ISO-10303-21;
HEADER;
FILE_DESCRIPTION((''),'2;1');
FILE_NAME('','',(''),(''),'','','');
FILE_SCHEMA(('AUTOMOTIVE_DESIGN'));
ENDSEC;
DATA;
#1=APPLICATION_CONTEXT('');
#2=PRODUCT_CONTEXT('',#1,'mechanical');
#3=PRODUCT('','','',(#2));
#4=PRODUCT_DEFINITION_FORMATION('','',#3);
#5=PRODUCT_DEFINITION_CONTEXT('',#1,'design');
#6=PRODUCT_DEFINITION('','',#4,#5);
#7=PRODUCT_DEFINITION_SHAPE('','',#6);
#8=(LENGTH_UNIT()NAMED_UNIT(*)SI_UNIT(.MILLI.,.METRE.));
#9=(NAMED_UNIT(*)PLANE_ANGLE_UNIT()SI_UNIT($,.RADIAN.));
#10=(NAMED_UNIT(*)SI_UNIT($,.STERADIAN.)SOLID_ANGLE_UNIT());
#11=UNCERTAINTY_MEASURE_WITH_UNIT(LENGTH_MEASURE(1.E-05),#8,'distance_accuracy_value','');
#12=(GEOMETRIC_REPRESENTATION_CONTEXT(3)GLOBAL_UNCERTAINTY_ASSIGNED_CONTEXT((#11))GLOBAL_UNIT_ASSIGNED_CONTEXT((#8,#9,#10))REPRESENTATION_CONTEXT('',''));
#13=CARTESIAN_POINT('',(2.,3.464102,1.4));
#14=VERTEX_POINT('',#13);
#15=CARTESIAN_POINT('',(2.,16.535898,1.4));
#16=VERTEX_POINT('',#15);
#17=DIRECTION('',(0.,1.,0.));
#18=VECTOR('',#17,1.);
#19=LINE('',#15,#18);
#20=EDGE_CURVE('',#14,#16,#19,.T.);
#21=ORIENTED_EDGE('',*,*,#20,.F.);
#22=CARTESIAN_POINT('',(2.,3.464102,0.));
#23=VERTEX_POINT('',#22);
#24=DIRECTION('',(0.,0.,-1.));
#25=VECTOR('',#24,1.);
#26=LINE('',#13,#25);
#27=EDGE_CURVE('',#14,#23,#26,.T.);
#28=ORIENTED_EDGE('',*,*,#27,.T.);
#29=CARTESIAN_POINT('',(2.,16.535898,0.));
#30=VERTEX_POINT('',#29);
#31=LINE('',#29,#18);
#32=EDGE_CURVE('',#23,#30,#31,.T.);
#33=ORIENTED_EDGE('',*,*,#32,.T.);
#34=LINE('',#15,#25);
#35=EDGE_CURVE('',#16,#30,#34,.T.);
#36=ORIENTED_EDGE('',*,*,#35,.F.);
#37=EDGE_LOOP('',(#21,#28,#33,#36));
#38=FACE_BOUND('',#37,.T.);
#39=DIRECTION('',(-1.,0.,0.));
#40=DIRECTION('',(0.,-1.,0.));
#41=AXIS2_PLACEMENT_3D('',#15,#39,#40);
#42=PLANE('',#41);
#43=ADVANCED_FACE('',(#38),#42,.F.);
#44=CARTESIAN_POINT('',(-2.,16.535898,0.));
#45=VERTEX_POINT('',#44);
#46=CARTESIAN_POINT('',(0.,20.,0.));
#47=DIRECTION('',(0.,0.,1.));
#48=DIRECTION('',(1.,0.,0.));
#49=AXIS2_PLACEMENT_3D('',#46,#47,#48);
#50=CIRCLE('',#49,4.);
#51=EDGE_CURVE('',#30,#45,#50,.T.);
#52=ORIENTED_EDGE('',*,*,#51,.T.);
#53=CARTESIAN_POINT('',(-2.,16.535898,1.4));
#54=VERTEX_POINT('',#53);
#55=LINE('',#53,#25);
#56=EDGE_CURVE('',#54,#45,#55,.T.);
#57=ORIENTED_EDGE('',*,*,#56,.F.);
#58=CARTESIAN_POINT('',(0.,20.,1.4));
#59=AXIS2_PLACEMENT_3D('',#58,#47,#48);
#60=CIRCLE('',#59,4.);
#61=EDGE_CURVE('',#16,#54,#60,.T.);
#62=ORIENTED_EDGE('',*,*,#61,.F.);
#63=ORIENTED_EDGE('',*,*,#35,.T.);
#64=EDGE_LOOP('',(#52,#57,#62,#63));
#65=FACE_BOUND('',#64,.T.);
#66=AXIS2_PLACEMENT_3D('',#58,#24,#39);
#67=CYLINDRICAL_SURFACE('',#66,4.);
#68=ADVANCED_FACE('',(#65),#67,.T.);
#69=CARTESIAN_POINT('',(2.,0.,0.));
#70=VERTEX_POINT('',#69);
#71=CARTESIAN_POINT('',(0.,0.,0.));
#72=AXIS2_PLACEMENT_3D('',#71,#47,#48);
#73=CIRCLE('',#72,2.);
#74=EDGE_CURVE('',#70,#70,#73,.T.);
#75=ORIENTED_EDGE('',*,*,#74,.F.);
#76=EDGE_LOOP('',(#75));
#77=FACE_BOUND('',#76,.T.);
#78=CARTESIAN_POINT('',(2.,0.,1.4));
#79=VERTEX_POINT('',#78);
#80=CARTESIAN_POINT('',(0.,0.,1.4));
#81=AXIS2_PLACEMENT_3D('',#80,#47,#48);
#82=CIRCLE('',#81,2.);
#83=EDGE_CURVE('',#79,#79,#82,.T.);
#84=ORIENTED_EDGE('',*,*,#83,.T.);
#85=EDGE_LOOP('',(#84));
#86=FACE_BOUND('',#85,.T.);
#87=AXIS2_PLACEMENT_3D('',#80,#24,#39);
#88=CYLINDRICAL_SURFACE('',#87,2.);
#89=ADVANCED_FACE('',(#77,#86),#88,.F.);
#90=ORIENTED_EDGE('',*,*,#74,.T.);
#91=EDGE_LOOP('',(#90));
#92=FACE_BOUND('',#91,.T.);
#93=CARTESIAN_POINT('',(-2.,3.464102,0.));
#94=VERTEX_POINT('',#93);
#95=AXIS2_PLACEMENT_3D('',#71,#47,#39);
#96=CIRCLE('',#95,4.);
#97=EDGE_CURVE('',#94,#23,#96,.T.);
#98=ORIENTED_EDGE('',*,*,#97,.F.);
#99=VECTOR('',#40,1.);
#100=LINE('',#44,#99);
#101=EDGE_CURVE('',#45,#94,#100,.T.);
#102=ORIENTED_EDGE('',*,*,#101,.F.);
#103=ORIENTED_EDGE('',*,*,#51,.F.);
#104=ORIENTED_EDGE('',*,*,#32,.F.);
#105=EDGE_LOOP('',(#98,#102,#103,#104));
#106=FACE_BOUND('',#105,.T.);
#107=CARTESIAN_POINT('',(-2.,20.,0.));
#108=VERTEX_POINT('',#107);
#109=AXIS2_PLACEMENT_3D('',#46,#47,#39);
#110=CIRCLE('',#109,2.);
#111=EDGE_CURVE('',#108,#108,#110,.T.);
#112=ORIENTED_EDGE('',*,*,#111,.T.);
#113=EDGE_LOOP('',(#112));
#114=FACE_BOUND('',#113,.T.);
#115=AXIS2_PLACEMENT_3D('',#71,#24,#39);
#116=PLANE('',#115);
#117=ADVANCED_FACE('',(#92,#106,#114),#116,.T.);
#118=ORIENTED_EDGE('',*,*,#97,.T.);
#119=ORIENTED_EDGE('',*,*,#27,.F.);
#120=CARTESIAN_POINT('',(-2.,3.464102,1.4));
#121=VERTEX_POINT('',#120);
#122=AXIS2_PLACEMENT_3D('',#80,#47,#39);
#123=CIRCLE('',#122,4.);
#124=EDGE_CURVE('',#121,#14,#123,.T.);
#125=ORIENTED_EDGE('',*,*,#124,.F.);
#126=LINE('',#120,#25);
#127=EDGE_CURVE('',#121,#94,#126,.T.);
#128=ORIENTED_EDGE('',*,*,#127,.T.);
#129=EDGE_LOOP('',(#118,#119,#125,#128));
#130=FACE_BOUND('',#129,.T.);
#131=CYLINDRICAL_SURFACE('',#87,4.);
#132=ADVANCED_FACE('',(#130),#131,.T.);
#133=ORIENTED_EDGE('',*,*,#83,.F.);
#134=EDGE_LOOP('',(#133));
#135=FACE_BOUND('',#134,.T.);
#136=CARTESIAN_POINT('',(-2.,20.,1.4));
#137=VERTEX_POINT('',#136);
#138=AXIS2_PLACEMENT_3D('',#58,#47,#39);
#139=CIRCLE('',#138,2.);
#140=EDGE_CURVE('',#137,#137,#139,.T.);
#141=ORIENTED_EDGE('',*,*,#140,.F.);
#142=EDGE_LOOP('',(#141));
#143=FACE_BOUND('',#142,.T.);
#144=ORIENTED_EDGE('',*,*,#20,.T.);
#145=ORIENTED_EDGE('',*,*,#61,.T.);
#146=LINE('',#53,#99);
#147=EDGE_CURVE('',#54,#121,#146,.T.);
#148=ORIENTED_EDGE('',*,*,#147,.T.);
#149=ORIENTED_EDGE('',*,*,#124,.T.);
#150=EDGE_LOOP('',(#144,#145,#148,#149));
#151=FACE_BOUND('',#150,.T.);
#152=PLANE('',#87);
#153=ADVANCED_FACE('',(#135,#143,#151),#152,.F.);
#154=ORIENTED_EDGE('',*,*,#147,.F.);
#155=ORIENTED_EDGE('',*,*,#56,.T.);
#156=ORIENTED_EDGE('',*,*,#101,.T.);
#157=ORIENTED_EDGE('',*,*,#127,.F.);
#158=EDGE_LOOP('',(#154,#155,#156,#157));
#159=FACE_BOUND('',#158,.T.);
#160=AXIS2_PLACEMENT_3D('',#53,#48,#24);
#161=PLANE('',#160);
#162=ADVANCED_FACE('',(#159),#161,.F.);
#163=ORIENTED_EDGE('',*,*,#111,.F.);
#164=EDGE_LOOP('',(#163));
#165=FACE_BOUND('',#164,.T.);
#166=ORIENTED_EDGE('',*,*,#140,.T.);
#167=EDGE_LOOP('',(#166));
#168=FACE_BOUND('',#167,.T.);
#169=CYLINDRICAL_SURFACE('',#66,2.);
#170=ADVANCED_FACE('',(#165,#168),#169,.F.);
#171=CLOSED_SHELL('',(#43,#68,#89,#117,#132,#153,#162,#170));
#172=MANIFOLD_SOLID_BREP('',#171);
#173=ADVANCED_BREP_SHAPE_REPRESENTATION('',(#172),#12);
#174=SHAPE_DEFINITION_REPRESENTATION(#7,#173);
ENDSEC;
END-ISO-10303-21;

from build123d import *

# Parameters (mm, degrees)
SKETCH1_R           = 2
BOSS_EXTRUDE1_DEPTH = 1.4


with BuildPart() as part:
    # Sketch1 → Boss-Extrude1 (new body)
    with BuildSketch(Plane.XY):
        with BuildLine():
            Line((-2, 16.535898385), (-2, 3.464101615))
            ThreePointArc((-2, 3.464101615), (0, -4), (2, 3.464101615))
            Line((2, 3.464101615), (2, 16.535898385))
            ThreePointArc((2, 16.535898385), (0, 24), (-2, 16.535898385))
        make_face()
        Circle(SKETCH1_R, mode=Mode.SUBTRACT)
        with Locations((0, 20)):
            Circle(SKETCH1_R, mode=Mode.SUBTRACT)
    extrude(amount=BOSS_EXTRUDE1_DEPTH)


solid = part.part
